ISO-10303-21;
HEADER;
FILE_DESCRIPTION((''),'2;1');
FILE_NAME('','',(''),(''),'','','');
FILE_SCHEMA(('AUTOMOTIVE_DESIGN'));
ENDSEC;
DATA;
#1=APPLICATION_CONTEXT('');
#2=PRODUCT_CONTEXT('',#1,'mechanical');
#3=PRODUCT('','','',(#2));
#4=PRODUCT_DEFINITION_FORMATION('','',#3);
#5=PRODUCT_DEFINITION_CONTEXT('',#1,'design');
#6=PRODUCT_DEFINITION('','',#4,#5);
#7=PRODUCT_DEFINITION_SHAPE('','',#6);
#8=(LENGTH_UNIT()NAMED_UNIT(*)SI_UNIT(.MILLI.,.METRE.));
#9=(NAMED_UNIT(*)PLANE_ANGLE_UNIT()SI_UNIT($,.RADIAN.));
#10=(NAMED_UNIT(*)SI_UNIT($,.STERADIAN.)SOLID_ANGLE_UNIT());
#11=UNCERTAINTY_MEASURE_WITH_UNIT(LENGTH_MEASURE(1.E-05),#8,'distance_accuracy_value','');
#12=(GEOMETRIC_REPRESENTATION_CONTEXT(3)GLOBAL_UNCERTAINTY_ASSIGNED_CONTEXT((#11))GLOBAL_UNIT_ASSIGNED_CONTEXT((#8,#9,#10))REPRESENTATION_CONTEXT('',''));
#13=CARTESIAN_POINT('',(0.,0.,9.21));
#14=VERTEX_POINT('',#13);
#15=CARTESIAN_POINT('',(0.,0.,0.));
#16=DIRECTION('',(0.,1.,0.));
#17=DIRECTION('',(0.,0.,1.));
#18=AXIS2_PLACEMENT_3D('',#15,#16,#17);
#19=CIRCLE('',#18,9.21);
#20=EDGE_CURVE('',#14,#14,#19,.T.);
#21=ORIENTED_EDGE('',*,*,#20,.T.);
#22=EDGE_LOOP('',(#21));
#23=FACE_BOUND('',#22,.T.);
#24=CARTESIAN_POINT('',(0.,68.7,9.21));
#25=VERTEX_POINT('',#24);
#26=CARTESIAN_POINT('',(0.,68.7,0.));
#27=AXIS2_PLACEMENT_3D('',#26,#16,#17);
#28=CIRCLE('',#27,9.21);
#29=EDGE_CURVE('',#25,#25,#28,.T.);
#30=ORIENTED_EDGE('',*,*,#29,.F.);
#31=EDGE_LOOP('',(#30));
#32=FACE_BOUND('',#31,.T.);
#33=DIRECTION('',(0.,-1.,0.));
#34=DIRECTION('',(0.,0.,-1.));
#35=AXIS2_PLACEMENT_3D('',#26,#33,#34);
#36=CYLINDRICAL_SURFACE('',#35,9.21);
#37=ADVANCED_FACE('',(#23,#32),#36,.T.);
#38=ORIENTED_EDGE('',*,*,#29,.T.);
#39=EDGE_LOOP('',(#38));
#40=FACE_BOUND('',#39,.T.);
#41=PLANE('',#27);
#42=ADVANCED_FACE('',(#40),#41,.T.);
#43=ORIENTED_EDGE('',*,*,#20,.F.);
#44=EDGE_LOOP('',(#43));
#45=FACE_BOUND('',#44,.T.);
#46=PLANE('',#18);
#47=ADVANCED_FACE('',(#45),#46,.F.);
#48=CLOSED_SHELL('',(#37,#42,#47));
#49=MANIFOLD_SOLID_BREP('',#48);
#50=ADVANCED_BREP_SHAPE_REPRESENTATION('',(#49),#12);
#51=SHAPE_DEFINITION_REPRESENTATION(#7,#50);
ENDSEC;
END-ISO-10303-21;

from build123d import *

# Parameters (mm, degrees)
SKETCH1_R           = 9.21
BOSS_EXTRUDE1_DEPTH = 68.7


with BuildPart() as part:
    # Sketch1 → Boss-Extrude1 (new body)
    with BuildSketch(Plane(origin=(0, 0, 0), x_dir=(1, 0, 0), z_dir=(0, 1, 0))):
        Circle(SKETCH1_R)
    extrude(amount=BOSS_EXTRUDE1_DEPTH)


solid = part.part
